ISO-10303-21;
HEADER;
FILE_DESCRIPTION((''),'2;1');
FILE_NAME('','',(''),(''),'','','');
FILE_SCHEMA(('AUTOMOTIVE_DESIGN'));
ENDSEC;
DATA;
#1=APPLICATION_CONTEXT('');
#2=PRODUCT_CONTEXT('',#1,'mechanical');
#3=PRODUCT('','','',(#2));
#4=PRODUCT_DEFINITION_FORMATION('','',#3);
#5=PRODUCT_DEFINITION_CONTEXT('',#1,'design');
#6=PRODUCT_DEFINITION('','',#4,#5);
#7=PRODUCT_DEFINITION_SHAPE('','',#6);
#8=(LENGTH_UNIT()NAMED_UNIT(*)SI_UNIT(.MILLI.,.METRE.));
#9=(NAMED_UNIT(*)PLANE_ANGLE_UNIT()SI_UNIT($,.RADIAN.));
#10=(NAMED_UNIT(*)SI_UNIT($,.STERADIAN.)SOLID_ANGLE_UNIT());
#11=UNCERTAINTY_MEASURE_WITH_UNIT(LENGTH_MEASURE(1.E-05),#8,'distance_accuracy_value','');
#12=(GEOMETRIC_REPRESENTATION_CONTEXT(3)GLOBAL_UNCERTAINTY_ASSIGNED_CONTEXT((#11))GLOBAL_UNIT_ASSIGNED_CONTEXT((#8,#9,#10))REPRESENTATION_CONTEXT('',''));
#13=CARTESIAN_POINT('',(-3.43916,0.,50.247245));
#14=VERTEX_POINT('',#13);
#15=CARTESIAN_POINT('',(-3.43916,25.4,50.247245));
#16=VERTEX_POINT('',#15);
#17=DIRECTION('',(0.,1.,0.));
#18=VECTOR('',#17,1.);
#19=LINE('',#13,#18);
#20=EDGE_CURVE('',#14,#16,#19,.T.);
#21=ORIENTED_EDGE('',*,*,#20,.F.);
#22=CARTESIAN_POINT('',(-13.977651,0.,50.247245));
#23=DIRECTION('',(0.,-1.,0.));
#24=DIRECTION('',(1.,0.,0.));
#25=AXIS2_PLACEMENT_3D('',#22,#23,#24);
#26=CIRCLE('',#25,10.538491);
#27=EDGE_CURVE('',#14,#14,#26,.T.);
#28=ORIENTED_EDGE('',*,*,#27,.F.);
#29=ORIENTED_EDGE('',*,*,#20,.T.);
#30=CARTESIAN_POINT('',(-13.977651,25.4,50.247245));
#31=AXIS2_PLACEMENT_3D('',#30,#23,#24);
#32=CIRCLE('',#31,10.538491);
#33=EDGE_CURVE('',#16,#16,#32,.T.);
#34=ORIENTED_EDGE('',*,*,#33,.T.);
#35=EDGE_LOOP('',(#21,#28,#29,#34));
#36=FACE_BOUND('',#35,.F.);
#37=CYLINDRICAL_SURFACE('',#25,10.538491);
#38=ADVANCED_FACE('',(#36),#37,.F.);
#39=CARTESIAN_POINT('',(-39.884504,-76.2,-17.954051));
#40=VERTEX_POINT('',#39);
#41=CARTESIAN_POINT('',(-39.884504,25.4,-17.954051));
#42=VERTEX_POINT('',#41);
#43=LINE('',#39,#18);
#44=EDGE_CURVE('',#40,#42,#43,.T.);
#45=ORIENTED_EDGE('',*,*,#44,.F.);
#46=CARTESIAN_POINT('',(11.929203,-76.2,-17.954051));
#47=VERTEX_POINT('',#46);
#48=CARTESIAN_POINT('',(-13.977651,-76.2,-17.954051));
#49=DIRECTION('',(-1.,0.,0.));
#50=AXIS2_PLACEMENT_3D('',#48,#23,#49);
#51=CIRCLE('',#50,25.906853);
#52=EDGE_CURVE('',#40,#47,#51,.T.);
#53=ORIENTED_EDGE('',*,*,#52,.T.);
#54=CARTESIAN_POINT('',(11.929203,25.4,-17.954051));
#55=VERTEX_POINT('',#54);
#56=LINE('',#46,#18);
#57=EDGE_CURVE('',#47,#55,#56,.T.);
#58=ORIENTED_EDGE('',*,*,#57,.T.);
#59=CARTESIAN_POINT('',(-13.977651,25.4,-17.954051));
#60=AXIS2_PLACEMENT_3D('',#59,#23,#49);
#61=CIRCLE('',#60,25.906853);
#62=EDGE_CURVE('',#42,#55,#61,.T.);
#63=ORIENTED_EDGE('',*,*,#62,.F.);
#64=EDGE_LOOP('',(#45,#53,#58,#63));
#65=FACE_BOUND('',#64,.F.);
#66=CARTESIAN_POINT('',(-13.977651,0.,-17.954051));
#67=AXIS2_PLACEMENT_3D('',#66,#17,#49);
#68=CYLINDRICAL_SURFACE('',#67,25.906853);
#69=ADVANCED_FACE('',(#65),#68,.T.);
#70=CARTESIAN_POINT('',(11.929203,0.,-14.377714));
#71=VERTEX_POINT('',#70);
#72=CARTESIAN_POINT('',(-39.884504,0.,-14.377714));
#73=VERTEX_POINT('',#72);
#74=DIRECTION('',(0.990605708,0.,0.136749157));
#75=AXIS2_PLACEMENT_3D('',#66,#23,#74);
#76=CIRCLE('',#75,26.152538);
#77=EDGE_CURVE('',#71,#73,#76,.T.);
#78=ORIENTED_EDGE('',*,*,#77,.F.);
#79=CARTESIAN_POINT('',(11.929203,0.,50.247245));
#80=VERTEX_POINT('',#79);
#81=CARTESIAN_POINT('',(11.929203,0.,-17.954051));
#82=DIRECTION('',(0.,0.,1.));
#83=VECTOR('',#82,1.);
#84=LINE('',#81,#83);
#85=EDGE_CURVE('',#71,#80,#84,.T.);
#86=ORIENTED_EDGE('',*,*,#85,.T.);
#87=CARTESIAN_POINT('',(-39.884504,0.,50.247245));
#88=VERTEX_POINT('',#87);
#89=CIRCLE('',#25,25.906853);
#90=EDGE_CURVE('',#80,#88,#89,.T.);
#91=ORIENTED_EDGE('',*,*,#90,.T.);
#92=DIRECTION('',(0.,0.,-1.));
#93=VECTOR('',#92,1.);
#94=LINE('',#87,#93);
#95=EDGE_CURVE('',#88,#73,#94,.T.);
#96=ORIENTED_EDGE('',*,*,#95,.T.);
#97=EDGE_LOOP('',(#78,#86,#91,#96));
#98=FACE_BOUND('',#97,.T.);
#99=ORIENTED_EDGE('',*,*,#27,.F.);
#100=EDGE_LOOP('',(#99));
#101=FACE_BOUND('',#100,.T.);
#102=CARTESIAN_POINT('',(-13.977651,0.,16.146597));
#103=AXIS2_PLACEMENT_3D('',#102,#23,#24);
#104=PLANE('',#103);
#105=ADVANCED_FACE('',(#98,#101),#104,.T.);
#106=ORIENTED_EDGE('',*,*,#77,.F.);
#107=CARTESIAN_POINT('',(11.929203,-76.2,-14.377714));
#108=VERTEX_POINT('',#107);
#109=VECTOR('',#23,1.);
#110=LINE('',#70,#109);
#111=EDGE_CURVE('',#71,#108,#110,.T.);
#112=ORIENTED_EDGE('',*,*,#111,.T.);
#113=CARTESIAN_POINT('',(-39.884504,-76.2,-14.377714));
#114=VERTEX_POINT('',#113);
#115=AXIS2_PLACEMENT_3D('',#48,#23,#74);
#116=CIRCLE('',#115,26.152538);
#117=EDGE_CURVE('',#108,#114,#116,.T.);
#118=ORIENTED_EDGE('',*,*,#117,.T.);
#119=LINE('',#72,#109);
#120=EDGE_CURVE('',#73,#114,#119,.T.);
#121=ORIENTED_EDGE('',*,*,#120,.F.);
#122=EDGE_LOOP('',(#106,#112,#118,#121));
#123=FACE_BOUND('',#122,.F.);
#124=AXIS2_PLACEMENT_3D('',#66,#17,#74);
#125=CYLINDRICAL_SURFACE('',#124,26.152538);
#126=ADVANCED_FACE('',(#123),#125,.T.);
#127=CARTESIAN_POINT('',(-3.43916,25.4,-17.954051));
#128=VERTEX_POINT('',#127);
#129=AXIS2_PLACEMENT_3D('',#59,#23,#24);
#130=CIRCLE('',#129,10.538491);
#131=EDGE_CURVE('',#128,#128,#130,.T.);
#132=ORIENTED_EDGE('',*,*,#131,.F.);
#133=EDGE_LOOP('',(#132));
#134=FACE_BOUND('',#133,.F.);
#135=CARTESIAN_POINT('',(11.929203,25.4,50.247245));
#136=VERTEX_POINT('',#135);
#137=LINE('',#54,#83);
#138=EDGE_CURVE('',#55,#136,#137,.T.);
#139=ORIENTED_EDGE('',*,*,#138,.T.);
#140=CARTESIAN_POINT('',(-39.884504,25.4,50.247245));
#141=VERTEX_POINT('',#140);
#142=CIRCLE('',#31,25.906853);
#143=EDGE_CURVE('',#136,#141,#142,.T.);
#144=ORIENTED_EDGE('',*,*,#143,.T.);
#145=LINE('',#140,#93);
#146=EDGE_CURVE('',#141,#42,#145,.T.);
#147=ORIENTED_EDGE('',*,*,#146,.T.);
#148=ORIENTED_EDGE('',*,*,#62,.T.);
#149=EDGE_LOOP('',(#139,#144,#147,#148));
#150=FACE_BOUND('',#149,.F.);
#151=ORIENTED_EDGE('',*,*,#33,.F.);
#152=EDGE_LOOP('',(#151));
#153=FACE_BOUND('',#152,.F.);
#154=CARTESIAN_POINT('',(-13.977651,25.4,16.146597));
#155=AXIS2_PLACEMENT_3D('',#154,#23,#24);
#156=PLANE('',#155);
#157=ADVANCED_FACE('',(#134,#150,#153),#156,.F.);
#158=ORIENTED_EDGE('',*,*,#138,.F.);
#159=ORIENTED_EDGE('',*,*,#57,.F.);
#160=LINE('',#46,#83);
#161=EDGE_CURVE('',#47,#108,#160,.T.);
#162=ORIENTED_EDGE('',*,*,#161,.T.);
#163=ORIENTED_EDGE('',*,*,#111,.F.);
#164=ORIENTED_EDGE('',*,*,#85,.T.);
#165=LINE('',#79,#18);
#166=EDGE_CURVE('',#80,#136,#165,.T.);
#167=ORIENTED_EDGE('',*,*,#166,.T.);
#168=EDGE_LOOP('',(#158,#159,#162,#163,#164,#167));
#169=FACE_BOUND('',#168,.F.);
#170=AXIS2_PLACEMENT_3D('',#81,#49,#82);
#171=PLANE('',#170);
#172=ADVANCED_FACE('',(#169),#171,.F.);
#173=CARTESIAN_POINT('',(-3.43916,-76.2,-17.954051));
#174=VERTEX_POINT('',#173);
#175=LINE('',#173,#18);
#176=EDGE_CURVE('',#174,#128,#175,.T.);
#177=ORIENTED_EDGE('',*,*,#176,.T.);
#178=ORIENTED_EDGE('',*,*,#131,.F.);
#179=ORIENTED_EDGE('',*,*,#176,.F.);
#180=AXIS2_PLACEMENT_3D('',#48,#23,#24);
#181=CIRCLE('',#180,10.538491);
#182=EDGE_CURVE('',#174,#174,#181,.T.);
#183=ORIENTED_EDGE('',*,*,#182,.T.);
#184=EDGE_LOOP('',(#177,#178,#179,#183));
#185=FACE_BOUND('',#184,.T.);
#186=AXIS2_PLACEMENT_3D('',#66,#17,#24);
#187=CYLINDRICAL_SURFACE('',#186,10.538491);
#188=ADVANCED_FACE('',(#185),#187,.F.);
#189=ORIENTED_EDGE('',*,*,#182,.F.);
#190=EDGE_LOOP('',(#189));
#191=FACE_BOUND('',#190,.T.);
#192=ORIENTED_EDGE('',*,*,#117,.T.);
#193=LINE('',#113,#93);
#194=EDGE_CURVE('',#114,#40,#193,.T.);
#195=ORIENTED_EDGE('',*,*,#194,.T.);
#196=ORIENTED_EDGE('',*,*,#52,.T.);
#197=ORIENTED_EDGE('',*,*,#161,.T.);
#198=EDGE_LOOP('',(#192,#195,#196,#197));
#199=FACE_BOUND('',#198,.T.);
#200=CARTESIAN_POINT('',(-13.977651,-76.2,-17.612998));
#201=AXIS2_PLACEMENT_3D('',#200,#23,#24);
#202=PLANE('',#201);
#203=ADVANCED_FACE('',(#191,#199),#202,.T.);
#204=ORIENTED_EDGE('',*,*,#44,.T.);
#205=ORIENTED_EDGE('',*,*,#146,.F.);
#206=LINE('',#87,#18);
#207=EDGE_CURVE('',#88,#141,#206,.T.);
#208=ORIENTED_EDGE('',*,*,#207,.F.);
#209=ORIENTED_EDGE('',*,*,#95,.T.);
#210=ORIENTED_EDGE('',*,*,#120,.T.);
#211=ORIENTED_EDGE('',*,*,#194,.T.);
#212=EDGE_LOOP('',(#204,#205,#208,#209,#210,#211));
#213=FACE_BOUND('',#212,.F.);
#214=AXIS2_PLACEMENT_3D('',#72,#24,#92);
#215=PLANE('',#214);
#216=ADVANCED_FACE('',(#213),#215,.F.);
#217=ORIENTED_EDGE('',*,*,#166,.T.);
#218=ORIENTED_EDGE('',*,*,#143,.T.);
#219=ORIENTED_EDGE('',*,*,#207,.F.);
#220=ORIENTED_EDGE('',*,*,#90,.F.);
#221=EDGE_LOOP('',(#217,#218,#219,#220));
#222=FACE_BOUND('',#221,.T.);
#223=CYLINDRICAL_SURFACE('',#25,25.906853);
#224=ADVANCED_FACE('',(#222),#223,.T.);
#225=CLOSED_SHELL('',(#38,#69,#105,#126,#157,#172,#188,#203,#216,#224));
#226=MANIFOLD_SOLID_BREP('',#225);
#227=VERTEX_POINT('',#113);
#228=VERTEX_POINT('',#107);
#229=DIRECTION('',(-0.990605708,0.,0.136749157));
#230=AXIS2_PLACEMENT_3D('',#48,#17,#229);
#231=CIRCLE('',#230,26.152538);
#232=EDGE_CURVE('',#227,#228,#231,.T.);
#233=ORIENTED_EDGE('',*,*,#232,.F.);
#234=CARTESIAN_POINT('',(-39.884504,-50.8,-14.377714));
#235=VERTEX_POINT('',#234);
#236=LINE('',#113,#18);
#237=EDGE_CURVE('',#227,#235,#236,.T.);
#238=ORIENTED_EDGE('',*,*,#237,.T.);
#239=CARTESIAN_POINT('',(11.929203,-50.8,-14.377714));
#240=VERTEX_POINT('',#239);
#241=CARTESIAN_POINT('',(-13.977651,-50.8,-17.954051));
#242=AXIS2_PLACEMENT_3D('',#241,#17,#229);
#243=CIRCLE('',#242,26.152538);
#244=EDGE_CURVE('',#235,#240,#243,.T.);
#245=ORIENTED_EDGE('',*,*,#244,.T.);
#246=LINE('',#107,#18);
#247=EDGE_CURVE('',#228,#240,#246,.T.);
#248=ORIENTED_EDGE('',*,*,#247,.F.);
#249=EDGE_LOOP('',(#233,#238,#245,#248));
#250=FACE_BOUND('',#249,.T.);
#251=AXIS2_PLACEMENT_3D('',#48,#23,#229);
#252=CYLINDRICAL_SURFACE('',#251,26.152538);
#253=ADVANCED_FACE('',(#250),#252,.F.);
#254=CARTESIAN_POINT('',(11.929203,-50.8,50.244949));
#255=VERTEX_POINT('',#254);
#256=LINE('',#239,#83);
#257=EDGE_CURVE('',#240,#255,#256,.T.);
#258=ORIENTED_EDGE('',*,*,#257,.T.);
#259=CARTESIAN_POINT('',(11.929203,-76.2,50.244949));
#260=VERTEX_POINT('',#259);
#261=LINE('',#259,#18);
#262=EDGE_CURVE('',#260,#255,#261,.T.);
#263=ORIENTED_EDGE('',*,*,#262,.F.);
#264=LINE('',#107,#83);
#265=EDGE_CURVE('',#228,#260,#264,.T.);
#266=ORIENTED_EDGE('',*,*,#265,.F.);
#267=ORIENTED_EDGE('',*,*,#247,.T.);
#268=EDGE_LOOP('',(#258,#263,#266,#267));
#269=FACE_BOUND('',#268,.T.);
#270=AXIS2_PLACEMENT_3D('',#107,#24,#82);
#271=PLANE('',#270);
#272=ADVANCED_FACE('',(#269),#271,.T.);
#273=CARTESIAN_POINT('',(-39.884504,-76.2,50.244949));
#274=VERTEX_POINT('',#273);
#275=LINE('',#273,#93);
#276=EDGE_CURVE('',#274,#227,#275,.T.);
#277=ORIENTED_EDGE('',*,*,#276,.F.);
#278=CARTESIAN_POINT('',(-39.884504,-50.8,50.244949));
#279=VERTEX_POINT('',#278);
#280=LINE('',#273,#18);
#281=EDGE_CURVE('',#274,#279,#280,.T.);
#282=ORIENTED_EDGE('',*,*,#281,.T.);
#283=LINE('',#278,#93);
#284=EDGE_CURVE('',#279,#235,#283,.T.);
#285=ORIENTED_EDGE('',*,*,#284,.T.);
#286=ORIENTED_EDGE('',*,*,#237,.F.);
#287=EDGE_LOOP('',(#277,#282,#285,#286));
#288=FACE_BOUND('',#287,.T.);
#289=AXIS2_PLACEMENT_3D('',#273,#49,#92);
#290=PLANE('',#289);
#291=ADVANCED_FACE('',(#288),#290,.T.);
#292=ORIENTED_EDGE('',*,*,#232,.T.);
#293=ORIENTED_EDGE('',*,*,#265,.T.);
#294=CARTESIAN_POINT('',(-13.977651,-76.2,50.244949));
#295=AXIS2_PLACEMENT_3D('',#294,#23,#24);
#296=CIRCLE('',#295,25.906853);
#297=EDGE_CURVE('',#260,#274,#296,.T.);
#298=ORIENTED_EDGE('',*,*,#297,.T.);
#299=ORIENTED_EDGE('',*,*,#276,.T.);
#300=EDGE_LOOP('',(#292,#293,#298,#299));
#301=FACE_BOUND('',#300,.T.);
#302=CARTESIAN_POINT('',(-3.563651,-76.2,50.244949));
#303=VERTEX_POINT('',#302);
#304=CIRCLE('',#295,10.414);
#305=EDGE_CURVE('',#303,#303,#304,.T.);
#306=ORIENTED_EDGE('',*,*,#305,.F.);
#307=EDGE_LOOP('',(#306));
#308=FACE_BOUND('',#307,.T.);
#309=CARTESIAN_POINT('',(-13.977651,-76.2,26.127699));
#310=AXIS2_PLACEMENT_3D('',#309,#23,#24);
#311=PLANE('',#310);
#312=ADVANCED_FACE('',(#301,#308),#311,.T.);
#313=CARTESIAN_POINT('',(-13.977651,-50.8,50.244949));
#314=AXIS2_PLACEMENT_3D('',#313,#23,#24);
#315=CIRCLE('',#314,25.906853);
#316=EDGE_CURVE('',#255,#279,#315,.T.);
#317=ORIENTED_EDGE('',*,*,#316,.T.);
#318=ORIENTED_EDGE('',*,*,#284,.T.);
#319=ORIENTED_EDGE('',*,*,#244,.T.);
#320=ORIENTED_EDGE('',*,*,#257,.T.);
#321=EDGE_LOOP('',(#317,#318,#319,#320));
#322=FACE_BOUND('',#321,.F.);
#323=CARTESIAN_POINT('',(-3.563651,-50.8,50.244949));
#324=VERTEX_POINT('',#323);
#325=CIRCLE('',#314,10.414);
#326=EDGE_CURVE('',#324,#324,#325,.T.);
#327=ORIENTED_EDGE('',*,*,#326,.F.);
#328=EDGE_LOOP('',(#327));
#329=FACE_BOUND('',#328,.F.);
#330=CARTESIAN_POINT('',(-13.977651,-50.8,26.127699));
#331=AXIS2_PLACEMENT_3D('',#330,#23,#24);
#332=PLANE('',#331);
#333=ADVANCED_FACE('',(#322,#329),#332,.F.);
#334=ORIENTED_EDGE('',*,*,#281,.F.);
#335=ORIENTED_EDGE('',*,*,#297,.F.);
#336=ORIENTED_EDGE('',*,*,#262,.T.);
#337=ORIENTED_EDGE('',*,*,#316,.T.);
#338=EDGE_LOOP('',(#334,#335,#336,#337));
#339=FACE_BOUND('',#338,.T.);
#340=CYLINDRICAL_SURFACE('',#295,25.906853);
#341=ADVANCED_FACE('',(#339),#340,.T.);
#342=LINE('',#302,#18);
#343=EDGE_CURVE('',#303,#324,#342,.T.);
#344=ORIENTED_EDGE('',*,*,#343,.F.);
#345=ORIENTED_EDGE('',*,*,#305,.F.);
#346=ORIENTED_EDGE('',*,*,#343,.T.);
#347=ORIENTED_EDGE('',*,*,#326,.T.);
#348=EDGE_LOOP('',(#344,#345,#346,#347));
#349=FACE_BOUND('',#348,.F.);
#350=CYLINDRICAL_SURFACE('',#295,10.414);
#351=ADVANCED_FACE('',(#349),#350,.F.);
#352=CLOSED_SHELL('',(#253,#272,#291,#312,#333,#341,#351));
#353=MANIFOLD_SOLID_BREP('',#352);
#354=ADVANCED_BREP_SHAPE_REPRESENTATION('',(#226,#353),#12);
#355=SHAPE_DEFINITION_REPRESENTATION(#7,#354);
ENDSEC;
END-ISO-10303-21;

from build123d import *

# Parameters (mm, degrees)
F0_R     = 10.5384910473
F1_DEPTH = 25.4
F2_R     = 10.5384910473
F3_DEPTH = 76.2
F4_R     = 10.414
F5_DEPTH = 25.4


with BuildPart() as f1:
    # F0 (on Front) → F1 (new body)
    with BuildSketch(Plane.XZ):
        with BuildLine():
            Line((-39.8845039308, 50.2472445369), (-39.8845039308, 32.8956767917))
            Line((-39.8845039308, 32.8956767917), (-39.8845039308, -17.9540514946))
            ThreePointArc((-39.8845039308, -17.9540514946), (-13.977650553, -43.8609048724), (11.9292028248, -17.9540514946))
            Line((11.9292028248, -17.9540514946), (11.9292028248, 50.2472445369))
            ThreePointArc((11.9292028248, 50.2472445369), (-13.977650553, 76.1540979147), (-39.8845039308, 50.2472445369))
        make_face()
        with Locations((-13.977650553, -17.9540514946)):
            Circle(F0_R, mode=Mode.SUBTRACT)
        with Locations((-13.977650553, 50.2472445369)):
            Circle(F0_R, mode=Mode.SUBTRACT)
    extrude(amount=-F1_DEPTH)

    # F2 (on face) → F3 (join)
    with BuildSketch(Plane.XZ):
        with BuildLine():
            Line((11.9292028248, -17.9540514946), (11.9292028248, -14.3777139648))
            ThreePointArc((11.9292028248, -14.3777139648), (-13.977650553, 8.1984864715), (-39.8845039308, -14.3777139648))
            Line((-39.8845039308, -14.3777139648), (-39.8845039308, -17.9540514946))
            ThreePointArc((-39.8845039308, -17.9540514946), (-13.977650553, -43.8609048724), (11.9292028248, -17.9540514946))
        make_face()
        with Locations((-13.977650553, -17.9540514946)):
            Circle(F2_R, mode=Mode.SUBTRACT)
    extrude(amount=F3_DEPTH)


with BuildPart() as f5:
    # F4 (on face) → F5 (new body)
    with BuildSketch(Plane.XZ.offset(76.2)):
        with BuildLine():
            ThreePointArc((-39.8845039308, -14.3777139648), (-13.977650553, 8.1984864715), (11.9292028248, -14.3777139648))
            Line((11.9292028248, -14.3777139648), (11.9292028248, 50.2449485054))
            ThreePointArc((11.9292028248, 50.2449485054), (-13.977650553, 76.1518018832), (-39.8845039308, 50.2449485054))
            Line((-39.8845039308, 50.2449485054), (-39.8845039308, -14.3777139648))
        make_face()
        with Locations((-13.977650553, 50.2449485054)):
            Circle(F4_R, mode=Mode.SUBTRACT)
    extrude(amount=-F5_DEPTH)


solid = Compound([f1.part, f5.part])
